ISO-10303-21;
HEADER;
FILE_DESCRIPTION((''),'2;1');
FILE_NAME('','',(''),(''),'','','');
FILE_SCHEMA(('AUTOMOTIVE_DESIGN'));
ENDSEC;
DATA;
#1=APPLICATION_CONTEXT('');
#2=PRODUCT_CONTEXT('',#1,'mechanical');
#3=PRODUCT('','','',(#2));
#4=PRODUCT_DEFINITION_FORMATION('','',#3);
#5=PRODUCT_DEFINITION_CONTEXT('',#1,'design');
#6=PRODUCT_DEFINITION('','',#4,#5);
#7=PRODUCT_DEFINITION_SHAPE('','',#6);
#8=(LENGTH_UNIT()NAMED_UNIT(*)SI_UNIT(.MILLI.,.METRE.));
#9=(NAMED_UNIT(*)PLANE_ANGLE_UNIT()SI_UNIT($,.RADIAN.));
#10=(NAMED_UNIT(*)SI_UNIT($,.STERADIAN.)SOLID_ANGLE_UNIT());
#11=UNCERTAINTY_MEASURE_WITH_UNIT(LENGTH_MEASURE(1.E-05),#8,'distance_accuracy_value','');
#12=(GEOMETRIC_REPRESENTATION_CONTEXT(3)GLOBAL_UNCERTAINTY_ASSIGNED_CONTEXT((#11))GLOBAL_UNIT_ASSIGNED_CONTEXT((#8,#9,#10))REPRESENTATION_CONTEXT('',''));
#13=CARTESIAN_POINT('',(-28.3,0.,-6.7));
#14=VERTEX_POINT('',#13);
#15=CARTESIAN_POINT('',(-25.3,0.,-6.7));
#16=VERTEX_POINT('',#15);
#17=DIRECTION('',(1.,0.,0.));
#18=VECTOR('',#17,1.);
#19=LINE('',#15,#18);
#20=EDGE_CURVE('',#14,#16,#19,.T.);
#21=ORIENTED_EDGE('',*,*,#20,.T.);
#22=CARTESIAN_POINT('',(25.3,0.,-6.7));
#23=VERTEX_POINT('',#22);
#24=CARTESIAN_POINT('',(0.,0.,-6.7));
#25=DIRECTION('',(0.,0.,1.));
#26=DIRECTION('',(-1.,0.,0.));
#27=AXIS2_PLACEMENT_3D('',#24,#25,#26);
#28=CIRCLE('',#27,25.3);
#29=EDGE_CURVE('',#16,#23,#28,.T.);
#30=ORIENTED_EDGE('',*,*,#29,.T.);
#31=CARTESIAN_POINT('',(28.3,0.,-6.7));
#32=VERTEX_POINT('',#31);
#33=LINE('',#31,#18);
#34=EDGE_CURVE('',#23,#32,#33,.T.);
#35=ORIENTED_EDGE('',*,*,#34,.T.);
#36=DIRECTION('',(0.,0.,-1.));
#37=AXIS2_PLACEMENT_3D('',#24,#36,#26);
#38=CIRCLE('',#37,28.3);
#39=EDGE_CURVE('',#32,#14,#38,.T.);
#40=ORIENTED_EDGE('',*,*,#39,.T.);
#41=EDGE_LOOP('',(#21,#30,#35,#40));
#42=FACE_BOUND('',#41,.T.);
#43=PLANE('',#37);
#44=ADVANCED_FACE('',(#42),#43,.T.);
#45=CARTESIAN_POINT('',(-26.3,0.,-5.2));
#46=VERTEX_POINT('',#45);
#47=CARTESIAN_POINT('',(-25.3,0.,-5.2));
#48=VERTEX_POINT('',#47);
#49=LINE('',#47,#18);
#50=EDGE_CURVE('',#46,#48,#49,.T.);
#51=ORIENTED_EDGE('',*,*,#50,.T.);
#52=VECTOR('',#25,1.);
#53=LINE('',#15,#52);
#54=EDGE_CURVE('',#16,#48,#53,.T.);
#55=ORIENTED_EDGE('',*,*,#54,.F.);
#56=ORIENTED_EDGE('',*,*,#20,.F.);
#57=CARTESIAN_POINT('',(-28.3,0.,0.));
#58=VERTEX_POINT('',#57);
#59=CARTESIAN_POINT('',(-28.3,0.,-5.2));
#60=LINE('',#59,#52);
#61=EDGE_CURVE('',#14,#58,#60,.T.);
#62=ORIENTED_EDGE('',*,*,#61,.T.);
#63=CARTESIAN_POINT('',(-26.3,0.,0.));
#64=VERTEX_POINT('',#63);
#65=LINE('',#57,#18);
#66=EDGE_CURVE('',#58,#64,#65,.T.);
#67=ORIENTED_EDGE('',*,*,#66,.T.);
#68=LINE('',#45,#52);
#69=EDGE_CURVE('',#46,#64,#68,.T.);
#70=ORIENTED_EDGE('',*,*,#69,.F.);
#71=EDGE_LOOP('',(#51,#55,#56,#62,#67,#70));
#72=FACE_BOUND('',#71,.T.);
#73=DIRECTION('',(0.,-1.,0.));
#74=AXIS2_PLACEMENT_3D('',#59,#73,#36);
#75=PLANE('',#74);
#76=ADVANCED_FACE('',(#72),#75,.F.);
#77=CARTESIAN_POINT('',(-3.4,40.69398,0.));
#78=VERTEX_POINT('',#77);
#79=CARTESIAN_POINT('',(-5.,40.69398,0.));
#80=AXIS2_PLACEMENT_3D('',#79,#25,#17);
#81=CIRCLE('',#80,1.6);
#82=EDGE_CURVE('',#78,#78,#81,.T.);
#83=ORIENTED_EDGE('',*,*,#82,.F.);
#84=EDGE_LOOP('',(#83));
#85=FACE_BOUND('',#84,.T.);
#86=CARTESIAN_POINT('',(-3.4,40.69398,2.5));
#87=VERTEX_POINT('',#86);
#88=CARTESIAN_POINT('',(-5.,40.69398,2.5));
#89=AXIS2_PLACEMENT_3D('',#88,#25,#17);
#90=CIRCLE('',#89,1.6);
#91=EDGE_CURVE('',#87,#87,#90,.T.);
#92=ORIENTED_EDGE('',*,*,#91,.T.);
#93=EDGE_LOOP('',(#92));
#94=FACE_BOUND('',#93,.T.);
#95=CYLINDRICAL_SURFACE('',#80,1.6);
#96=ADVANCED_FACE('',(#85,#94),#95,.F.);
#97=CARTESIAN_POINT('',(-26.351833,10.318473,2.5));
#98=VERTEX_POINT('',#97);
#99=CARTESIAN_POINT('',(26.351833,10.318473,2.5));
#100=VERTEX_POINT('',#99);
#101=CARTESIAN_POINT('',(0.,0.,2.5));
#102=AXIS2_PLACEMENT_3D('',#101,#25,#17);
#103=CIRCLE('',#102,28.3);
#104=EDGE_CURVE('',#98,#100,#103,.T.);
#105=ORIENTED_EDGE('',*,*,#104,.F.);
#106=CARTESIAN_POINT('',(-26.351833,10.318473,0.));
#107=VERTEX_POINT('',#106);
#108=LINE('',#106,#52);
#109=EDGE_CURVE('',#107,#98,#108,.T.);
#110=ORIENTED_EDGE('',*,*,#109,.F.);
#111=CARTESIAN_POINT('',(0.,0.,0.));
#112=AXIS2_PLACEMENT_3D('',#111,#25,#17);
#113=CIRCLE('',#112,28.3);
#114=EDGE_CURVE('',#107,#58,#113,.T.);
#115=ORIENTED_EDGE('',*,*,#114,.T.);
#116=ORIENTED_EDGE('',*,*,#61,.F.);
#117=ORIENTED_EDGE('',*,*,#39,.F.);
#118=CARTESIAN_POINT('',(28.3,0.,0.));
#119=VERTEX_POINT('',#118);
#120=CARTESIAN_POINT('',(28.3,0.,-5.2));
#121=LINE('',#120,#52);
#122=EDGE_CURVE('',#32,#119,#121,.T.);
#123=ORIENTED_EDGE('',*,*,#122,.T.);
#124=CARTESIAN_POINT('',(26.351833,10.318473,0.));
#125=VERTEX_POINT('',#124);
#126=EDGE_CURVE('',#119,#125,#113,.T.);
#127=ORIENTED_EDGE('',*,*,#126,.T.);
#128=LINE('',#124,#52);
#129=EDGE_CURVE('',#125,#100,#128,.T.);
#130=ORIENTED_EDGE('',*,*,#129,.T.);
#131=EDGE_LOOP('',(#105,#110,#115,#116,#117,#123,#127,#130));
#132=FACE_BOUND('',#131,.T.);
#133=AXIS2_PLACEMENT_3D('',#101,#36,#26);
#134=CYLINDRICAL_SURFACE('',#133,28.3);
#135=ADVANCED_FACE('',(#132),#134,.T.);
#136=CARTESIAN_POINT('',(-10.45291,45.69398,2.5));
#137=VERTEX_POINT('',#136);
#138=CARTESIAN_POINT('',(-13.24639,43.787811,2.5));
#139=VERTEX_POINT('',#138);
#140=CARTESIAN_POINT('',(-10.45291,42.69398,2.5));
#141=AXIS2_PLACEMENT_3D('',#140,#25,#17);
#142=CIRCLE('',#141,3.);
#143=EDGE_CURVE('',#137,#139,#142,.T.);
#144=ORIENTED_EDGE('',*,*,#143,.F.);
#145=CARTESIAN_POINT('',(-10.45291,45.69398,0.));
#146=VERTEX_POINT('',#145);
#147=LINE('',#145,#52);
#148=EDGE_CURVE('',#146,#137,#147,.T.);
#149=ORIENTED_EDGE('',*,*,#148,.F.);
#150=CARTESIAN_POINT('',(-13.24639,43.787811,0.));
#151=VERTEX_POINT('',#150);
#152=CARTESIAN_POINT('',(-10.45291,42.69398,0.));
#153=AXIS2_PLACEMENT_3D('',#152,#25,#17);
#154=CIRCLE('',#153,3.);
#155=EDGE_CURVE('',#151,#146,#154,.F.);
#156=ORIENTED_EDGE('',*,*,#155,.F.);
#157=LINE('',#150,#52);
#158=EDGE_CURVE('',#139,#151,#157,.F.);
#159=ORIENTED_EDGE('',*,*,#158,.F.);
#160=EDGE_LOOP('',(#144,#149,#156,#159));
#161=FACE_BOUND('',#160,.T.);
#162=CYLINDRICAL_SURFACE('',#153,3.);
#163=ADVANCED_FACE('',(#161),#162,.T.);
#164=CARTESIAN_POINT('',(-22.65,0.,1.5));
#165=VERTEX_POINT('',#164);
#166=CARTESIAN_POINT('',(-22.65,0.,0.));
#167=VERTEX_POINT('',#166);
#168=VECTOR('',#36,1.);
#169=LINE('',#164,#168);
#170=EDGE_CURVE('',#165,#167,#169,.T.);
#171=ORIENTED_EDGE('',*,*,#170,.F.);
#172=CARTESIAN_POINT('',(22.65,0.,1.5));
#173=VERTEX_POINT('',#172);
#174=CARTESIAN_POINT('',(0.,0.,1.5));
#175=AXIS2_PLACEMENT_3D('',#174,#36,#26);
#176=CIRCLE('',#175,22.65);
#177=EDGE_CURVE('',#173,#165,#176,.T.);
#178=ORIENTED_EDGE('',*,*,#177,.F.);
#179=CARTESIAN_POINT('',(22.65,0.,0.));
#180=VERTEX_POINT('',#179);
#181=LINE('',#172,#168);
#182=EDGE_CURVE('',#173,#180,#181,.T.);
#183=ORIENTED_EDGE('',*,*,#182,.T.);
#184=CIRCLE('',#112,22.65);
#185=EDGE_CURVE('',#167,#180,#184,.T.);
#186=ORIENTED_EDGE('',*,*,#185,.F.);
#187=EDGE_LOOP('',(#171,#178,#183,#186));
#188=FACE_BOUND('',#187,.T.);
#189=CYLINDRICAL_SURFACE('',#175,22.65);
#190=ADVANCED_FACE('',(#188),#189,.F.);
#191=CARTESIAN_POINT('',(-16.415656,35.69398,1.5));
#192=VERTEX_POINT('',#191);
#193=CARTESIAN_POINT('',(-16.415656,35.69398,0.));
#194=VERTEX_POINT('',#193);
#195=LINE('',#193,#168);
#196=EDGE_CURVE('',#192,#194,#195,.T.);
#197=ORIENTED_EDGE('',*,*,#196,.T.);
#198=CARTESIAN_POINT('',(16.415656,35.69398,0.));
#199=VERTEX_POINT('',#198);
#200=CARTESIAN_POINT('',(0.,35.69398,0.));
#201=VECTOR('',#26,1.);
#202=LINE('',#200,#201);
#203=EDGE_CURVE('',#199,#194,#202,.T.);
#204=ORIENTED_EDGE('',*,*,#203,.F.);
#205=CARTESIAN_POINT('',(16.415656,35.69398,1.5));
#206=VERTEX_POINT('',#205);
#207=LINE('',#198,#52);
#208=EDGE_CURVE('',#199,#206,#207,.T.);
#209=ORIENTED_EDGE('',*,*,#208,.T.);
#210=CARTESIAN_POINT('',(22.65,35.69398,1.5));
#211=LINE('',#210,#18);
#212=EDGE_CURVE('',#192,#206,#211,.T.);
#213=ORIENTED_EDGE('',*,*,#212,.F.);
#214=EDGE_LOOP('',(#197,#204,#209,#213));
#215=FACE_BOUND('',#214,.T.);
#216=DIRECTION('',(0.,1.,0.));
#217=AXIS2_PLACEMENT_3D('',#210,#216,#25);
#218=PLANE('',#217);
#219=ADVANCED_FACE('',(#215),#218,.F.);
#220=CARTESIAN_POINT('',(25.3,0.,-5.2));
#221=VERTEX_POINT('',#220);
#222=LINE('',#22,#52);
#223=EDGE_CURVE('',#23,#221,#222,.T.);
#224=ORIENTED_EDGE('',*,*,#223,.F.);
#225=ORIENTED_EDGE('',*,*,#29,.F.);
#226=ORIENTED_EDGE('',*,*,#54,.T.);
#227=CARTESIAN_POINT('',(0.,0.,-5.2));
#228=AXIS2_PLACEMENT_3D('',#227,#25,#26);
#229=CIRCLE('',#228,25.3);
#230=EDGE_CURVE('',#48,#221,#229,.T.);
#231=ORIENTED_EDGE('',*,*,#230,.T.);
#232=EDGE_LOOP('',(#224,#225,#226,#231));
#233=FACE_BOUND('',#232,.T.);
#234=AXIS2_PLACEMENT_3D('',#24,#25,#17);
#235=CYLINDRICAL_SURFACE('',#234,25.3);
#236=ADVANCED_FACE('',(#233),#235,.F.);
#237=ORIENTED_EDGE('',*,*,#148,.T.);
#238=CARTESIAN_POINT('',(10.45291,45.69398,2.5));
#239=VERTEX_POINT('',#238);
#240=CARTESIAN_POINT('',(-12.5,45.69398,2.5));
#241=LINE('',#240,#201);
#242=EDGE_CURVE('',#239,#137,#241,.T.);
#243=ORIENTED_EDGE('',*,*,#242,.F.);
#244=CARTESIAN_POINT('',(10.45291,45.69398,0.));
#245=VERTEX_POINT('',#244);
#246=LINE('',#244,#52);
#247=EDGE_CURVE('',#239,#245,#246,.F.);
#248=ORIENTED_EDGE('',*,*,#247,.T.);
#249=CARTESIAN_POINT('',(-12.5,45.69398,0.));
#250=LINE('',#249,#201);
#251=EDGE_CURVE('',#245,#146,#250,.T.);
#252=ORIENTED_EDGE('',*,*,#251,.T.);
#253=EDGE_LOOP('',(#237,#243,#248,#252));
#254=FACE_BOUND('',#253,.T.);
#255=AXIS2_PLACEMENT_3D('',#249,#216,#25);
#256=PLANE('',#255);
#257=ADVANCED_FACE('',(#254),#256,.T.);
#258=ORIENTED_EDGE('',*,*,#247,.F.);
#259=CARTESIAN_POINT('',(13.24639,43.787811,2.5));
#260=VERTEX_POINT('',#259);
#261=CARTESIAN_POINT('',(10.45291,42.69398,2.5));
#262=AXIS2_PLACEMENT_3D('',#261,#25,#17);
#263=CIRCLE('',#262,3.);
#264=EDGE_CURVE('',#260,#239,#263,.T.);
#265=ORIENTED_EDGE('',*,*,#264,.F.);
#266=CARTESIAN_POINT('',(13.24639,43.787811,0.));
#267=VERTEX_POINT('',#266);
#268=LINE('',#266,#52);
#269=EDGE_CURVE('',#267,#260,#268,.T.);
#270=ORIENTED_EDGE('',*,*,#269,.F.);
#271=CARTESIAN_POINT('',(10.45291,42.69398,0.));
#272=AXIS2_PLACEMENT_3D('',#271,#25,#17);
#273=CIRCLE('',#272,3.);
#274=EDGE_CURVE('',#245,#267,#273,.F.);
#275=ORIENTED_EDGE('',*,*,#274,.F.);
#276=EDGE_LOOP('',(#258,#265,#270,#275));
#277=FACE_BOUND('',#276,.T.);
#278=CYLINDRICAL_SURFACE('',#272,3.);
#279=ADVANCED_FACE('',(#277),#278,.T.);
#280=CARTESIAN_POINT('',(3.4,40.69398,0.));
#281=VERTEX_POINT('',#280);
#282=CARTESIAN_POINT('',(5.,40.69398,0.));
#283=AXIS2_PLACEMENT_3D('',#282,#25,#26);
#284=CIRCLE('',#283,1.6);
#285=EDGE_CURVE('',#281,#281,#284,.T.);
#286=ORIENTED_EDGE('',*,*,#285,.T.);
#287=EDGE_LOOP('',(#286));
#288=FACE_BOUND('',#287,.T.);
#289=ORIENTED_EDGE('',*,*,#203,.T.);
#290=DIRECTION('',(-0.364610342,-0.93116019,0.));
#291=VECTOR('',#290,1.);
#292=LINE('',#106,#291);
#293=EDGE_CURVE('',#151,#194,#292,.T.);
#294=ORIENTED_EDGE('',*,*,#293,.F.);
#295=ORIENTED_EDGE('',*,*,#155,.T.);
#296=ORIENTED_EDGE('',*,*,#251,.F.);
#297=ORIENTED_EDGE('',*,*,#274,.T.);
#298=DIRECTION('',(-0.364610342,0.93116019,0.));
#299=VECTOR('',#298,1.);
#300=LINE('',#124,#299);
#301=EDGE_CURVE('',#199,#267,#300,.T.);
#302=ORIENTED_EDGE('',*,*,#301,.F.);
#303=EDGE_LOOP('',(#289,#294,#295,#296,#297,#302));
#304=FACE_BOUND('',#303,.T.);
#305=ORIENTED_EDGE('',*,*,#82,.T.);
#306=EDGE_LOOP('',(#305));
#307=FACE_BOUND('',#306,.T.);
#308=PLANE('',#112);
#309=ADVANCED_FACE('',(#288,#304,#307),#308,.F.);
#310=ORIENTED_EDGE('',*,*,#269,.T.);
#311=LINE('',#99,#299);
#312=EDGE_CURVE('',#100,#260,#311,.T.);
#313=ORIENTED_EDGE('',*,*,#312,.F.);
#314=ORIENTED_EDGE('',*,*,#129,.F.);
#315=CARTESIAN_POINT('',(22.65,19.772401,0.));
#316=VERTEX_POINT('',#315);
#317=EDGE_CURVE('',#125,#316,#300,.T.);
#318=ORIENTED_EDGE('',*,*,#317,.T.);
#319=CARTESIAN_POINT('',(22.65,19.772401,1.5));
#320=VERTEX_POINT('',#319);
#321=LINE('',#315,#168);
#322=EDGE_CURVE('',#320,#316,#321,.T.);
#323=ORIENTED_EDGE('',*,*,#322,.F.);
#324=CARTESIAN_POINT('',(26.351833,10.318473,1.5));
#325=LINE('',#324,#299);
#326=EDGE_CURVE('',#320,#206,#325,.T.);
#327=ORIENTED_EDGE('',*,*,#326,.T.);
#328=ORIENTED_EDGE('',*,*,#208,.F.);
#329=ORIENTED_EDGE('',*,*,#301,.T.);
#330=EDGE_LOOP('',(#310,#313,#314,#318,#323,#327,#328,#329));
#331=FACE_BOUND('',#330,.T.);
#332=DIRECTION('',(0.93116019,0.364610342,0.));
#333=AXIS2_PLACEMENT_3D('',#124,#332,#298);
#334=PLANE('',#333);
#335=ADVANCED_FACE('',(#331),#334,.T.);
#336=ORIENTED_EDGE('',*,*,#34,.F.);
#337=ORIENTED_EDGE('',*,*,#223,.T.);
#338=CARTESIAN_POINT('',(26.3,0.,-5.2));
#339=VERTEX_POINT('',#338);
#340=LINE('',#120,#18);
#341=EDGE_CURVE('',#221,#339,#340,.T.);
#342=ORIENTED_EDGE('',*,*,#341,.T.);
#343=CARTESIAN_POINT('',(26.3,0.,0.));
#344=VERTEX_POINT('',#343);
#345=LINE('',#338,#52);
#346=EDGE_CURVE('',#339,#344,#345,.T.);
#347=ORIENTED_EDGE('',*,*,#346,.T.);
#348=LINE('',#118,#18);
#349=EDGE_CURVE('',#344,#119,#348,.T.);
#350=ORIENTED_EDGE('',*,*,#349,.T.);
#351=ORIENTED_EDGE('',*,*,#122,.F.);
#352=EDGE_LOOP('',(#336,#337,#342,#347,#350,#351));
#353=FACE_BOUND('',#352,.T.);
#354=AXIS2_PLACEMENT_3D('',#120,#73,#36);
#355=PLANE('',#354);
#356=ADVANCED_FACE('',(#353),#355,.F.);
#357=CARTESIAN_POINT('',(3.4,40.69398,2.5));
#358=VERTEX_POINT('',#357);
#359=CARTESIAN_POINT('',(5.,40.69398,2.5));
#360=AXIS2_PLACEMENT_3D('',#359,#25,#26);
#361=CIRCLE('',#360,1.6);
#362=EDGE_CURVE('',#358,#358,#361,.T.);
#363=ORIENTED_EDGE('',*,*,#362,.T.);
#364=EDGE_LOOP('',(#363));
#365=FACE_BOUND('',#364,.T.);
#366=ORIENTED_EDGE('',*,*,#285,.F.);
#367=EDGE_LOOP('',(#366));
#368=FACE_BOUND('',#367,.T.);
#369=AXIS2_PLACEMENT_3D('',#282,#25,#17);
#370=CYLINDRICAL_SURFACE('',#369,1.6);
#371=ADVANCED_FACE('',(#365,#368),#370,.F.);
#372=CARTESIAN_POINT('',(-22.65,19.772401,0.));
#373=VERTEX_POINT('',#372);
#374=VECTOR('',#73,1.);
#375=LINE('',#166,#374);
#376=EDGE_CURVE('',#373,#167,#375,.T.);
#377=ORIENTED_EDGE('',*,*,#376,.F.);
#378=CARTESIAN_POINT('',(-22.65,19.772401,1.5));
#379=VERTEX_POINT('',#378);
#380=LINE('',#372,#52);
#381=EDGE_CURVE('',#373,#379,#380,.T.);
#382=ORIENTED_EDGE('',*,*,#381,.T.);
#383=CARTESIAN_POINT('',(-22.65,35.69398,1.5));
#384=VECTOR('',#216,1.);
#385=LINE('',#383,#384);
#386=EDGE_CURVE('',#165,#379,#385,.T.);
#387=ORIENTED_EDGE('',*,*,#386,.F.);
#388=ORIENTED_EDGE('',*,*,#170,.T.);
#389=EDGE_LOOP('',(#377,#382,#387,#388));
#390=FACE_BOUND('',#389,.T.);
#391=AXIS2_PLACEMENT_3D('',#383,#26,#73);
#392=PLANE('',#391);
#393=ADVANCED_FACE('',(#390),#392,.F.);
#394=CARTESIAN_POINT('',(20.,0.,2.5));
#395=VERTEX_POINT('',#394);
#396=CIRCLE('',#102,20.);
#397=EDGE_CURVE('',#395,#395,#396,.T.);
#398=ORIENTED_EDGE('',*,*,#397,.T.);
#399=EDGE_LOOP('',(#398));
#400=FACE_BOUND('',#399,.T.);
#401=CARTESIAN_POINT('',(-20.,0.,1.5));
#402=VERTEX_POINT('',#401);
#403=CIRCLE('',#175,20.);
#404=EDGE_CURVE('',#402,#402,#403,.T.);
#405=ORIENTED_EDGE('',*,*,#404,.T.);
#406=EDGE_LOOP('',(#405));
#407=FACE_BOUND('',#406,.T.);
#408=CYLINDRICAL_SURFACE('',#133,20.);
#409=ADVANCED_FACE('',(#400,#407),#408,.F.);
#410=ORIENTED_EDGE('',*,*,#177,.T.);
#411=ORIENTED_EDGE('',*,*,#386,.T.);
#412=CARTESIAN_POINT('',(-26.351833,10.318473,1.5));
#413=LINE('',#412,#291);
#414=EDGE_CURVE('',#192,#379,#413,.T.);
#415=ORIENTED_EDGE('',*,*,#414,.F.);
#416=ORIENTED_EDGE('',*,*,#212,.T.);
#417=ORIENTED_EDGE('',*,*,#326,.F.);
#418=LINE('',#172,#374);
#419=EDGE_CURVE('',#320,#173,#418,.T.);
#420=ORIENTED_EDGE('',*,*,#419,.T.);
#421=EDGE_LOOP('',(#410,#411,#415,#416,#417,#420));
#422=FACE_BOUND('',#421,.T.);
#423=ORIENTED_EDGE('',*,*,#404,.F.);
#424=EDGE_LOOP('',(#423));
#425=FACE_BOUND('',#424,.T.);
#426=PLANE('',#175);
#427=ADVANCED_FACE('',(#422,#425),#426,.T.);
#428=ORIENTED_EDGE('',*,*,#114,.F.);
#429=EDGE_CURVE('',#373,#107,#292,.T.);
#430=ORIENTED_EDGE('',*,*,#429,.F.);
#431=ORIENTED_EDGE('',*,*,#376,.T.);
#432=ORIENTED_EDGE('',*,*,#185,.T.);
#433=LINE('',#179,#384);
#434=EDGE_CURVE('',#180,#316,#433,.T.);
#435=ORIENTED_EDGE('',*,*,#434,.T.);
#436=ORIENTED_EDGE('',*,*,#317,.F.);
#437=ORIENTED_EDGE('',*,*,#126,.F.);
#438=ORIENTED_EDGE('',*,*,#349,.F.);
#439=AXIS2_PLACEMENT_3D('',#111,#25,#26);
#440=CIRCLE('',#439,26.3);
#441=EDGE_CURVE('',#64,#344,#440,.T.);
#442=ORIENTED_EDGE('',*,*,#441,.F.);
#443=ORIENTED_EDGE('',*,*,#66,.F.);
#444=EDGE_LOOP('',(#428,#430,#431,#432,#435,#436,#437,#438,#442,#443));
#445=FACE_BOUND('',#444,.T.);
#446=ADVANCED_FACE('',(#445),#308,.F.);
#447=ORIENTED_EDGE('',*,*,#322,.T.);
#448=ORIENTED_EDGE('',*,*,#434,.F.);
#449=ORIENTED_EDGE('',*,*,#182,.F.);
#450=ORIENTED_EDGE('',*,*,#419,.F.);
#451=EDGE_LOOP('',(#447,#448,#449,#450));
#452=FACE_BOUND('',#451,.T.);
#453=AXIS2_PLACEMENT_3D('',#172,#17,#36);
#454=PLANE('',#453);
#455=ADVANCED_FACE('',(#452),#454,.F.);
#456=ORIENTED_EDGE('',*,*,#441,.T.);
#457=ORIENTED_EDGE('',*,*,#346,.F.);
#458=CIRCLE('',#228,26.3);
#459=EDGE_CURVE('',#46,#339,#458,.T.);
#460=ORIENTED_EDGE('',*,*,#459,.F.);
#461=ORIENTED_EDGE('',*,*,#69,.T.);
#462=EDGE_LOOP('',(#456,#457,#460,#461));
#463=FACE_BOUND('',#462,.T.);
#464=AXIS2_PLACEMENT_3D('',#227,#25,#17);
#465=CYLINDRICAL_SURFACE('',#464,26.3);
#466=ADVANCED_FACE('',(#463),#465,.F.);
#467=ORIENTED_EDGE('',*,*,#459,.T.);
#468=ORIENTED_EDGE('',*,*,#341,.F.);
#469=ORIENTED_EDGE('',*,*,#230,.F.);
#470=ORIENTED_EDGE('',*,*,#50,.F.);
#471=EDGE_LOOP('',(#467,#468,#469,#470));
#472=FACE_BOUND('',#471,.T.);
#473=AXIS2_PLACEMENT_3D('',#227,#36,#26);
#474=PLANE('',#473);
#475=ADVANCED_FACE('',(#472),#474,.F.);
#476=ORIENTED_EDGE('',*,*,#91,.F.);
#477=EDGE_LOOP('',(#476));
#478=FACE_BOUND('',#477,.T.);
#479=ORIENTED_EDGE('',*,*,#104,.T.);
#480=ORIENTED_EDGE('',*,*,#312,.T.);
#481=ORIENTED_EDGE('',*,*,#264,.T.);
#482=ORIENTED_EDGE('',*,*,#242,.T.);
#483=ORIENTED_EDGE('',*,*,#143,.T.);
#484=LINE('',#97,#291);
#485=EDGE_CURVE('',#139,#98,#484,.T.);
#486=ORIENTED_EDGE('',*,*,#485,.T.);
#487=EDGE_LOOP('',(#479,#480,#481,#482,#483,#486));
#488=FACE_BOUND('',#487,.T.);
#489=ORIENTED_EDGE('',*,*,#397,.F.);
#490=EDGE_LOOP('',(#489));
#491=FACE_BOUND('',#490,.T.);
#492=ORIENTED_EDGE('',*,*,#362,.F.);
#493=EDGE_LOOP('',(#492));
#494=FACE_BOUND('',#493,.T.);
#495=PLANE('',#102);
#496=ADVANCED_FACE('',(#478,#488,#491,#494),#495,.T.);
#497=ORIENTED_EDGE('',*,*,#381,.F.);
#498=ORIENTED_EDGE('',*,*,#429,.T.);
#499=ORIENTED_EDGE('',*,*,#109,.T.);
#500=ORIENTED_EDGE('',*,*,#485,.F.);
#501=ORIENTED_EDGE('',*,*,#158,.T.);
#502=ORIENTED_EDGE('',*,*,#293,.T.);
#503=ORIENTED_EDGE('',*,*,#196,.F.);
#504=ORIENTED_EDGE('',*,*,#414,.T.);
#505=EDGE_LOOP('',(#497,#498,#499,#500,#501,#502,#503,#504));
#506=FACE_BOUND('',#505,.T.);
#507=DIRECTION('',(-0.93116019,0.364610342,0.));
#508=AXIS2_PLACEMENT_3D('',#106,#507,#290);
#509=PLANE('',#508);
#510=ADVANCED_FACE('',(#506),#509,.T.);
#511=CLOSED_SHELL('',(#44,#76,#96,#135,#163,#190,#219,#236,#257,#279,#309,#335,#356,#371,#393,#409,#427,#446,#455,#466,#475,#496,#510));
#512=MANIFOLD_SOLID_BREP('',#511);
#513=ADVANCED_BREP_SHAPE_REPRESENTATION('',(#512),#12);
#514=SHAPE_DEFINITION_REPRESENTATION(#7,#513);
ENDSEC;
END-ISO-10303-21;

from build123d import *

# Parameters (mm, degrees)
SKETCH_1_R          = 28.3
SKETCH_1_R_2        = 20
EXTRUDE_1_DEPTH     = 2.5
EXTRUDE_START       = -2.5
SKETCH_2_R          = 1.6
EXTRUDE_2_DEPTH     = 2.5
EXTRUDE_START_2     = 5.2
EXTRUDE_3_DEPTH     = 5.2
EXTRUDE_START_3     = 1.5
EXTRUDE_4_DEPTH     = 1.5
CUT_EXTRUDE_START   = 10
CUT_EXTRUDE_1_DEPTH = 11.5
FILLET_1_R          = 3


with BuildPart() as part:
    # 草图1 → 凸台-拉伸1 (new body)
    with BuildSketch(Plane.XY):
        Circle(SKETCH_1_R)
        Circle(SKETCH_1_R_2, mode=Mode.SUBTRACT)
    extrude(amount=EXTRUDE_1_DEPTH)

    # 草图2 → 凸台-拉伸2 (add)
    with BuildSketch(Plane.XY.offset(2.5).offset(EXTRUDE_START)):
        with BuildLine():
            Line((-26.351833365, 10.318472674), (-12.5, 45.693979899))
            Line((-12.5, 45.693979899), (12.5, 45.693979899))
            Line((12.5, 45.693979899), (26.351833365, 10.318472674))
            ThreePointArc((26.351833365, 10.318472674), (0, 28.3), (-26.351833365, 10.318472674))
        make_face()
        with Locations((-5, 40.693979899)):
            Circle(SKETCH_2_R, mode=Mode.SUBTRACT)
        with Locations(Location((5, 40.693979899, 0), (0, 0, 180))):
            Circle(SKETCH_2_R, mode=Mode.SUBTRACT)
    extrude(amount=EXTRUDE_2_DEPTH)

    # 草图5 → 凸台-拉伸3 (add)
    with BuildSketch(Plane(origin=(0, 0, 0), x_dir=(-1, 0, 0), z_dir=(0, 0, -1)).offset(EXTRUDE_START_2)):
        with BuildLine():
            Line((-28.3, 0), (-26.3, 0))
            ThreePointArc((-26.3, 0), (0, -26.3), (26.3, 0))
            Line((26.3, 0), (28.3, 0))
            ThreePointArc((28.3, 0), (0, -28.3), (-28.3, 0))
        make_face()
    extrude(amount=-EXTRUDE_3_DEPTH)

    # 草图6 → 凸台-拉伸4 (add)
    with BuildSketch(Plane(origin=(0, 0, -5.2), x_dir=(-1, 0, 0), z_dir=(0, 0, -1)).offset(EXTRUDE_START_3)):
        with BuildLine():
            Line((-28.3, 0), (-25.3, 0))
            ThreePointArc((-25.3, 0), (0, -25.3), (25.3, 0))
            Line((25.3, 0), (28.3, 0))
            ThreePointArc((28.3, 0), (0, -28.3), (-28.3, 0))
        make_face()
    extrude(amount=-EXTRUDE_4_DEPTH)

    # 草图4 → 切除-拉伸1 (cut)
    with BuildSketch(Plane(origin=(0, 0, 0), x_dir=(-1, 0, 0), z_dir=(0, 0, -1)).offset(CUT_EXTRUDE_START)):
        with BuildLine():
            Line((-22.65, 0), (-22.65, 35.693979899))
            Line((-22.65, 35.693979899), (22.65, 35.693979899))
            Line((22.65, 35.693979899), (22.65, 0))
            ThreePointArc((22.65, 0), (0, -22.65), (-22.65, 0))
        make_face()
    extrude(amount=-CUT_EXTRUDE_1_DEPTH, mode=Mode.SUBTRACT)

    # 圆角1
    fillet_1_edges = [part.edges().sort_by_distance(p)[0] for p in [
        (-12.5, 45.693979899, 1.25),
        (12.5, 45.693979899, 1.25),
    ]]
    fillet(fillet_1_edges, radius=FILLET_1_R)


solid = part.part
